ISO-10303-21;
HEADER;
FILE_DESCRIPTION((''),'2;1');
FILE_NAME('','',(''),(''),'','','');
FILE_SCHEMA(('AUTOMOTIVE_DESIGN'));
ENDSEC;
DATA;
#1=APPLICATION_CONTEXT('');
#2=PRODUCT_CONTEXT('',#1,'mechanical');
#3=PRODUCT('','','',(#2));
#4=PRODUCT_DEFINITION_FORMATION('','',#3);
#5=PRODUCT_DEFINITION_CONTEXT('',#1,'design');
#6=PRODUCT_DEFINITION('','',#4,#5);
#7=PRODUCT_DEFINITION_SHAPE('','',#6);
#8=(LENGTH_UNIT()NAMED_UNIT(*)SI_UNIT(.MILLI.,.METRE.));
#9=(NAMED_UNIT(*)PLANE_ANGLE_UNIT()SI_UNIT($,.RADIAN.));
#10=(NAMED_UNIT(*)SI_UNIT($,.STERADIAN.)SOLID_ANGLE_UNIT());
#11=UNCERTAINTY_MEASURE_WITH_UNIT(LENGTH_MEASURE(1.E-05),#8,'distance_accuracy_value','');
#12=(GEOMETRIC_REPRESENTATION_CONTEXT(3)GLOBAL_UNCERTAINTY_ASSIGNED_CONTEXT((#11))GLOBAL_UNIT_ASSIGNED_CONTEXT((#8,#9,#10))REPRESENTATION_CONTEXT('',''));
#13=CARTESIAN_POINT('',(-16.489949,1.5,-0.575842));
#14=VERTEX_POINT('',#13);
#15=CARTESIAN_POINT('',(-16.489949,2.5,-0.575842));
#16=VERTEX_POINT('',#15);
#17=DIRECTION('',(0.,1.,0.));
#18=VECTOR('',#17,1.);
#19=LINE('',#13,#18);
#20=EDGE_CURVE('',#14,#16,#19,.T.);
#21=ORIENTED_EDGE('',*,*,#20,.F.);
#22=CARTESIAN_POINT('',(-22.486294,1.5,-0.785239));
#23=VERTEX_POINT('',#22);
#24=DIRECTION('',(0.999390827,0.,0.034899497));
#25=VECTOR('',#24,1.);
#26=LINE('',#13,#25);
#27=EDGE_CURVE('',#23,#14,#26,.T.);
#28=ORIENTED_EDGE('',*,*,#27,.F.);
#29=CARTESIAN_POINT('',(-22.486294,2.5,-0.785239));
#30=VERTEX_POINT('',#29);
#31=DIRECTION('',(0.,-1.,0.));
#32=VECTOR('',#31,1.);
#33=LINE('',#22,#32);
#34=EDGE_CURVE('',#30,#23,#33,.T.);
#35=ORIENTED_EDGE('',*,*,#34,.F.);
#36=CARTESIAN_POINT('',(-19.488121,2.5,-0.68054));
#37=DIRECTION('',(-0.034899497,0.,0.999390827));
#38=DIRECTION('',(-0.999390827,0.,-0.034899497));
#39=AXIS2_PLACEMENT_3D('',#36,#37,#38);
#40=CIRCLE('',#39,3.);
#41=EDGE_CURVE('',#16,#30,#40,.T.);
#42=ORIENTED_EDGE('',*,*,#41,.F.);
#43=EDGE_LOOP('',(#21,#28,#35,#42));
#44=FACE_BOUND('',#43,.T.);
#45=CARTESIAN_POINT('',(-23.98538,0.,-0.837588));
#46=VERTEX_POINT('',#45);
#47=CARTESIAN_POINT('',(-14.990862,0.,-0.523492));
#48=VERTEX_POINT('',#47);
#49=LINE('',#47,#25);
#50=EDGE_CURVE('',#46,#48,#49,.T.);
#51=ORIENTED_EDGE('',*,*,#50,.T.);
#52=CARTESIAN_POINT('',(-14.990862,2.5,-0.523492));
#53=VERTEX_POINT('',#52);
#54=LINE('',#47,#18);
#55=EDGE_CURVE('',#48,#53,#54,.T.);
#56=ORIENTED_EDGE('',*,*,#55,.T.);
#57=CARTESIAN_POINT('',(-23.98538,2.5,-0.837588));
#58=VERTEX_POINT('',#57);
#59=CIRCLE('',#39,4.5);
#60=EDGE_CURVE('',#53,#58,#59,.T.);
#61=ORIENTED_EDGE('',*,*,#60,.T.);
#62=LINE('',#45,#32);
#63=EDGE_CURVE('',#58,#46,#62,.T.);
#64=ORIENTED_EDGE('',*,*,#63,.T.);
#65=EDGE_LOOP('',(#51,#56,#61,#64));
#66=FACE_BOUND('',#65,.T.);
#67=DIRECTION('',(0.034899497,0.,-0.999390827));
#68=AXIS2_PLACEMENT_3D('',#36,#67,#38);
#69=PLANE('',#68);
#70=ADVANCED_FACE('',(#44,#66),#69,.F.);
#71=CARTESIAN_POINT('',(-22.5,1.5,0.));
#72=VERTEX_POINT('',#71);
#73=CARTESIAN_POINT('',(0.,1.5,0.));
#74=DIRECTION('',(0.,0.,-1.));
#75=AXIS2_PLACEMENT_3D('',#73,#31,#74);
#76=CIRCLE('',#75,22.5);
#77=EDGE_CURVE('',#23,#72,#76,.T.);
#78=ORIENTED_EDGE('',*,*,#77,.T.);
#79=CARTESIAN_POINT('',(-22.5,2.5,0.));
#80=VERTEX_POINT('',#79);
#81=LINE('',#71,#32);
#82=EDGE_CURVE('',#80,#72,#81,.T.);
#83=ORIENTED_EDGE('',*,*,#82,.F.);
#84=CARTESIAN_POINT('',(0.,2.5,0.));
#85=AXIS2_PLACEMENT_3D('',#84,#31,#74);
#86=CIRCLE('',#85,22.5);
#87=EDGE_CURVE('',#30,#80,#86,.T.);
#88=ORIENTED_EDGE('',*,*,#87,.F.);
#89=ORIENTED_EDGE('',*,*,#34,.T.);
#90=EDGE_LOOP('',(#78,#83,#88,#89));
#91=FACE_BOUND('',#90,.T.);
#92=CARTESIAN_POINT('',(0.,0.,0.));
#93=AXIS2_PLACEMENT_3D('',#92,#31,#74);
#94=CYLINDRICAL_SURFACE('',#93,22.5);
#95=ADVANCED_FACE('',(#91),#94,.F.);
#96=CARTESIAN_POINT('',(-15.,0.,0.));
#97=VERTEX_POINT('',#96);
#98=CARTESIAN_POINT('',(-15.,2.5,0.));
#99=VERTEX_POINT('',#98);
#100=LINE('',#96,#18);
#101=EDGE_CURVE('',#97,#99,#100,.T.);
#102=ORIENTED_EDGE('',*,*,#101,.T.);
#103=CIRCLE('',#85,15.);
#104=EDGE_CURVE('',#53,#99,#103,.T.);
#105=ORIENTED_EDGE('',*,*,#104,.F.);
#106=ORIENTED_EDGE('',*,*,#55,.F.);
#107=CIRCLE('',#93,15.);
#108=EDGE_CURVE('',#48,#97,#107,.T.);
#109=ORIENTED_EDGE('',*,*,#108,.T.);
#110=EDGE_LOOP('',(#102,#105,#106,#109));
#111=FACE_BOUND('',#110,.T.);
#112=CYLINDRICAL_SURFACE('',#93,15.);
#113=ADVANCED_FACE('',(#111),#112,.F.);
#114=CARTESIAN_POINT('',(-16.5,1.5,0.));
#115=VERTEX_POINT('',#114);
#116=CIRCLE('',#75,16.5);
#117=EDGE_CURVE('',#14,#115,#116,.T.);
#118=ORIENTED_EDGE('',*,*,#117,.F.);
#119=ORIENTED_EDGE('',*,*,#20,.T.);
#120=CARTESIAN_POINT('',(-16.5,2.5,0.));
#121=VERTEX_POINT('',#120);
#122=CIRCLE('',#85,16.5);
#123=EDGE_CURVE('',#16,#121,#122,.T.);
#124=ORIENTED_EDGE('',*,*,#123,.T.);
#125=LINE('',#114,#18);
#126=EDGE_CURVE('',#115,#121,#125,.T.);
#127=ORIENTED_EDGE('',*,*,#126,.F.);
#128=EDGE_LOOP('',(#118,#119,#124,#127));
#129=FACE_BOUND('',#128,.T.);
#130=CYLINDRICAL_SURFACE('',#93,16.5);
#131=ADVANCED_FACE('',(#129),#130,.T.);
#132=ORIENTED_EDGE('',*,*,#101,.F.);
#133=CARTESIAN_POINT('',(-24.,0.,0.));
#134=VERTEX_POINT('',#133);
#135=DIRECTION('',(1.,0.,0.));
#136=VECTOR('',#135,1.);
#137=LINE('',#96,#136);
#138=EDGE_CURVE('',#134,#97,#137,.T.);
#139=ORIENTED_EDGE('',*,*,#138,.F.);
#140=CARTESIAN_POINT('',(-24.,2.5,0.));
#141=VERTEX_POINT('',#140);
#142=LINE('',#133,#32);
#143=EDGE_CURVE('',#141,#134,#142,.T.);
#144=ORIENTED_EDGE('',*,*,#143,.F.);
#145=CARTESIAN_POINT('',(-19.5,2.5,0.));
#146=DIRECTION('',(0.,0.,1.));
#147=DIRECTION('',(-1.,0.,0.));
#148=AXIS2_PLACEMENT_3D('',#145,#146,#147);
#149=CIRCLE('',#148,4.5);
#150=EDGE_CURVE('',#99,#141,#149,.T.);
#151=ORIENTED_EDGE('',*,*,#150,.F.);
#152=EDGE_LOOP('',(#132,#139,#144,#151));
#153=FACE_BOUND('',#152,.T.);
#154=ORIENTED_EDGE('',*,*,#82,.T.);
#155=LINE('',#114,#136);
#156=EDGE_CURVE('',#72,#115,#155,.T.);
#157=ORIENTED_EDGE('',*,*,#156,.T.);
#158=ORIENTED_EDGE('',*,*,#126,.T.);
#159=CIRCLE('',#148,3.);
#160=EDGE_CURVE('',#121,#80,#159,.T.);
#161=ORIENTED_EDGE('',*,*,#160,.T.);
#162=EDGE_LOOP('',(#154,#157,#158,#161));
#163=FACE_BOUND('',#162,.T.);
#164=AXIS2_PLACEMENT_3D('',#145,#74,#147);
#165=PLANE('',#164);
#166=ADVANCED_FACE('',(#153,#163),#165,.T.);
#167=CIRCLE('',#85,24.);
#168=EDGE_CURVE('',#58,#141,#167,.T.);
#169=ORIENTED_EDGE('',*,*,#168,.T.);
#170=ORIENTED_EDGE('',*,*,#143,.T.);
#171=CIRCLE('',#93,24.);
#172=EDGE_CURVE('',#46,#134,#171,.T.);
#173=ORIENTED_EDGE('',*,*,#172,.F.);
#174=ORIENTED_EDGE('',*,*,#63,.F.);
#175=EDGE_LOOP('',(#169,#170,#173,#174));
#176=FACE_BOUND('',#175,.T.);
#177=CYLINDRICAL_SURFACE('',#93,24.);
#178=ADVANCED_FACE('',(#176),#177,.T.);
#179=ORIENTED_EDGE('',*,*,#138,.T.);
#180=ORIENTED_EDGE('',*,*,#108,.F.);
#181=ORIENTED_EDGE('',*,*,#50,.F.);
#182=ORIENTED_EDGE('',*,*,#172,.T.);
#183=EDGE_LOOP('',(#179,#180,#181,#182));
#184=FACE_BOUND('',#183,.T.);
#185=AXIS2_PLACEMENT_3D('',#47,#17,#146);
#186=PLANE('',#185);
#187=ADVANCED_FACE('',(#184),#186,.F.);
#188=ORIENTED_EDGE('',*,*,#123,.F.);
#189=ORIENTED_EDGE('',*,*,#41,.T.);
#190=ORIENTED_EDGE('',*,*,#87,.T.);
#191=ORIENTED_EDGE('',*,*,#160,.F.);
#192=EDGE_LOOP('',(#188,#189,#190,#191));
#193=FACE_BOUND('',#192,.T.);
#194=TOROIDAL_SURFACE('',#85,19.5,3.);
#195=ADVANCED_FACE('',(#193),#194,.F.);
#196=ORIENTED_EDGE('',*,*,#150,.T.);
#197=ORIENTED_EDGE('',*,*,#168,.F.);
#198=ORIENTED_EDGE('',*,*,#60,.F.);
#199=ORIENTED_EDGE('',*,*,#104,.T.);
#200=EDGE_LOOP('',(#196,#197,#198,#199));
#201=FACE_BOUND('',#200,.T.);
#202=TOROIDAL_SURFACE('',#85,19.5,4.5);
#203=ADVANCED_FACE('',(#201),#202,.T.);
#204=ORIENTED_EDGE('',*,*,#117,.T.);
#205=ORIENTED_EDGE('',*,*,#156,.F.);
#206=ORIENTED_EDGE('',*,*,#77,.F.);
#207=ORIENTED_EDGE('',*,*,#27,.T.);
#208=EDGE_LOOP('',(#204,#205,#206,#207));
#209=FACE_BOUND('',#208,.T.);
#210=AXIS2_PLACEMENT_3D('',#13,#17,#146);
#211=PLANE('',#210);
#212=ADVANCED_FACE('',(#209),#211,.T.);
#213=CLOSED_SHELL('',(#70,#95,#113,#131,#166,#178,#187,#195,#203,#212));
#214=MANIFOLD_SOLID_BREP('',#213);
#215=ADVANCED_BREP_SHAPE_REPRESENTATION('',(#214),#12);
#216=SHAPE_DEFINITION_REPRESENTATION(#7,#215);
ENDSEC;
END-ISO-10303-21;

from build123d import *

# Parameters (mm, degrees)
REVOLVE1_ANGLE = 358


with BuildPart() as part:
    # Sketch1 → Revolve1 (revolve)
    with BuildSketch(Plane.XY):
        with BuildLine():
            Line((-15, 0), (-24, 0))
            Line((-24, 0), (-24, 2.5))
            ThreePointArc((-24, 2.5), (-19.5, 7), (-15, 2.5))
            Line((-15, 2.5), (-15, 0))
        make_face()
        with BuildLine():
            Line((-16.5, 1.5), (-16.5, 2.5))
            ThreePointArc((-16.5, 2.5), (-19.5, 5.5), (-22.5, 2.5))
            Line((-22.5, 2.5), (-22.5, 1.5))
            Line((-22.5, 1.5), (-16.5, 1.5))
        make_face(mode=Mode.SUBTRACT)
    revolve(axis=Axis((0, 0, 0), (0, 1, 0)), revolution_arc=REVOLVE1_ANGLE)


solid = part.part
